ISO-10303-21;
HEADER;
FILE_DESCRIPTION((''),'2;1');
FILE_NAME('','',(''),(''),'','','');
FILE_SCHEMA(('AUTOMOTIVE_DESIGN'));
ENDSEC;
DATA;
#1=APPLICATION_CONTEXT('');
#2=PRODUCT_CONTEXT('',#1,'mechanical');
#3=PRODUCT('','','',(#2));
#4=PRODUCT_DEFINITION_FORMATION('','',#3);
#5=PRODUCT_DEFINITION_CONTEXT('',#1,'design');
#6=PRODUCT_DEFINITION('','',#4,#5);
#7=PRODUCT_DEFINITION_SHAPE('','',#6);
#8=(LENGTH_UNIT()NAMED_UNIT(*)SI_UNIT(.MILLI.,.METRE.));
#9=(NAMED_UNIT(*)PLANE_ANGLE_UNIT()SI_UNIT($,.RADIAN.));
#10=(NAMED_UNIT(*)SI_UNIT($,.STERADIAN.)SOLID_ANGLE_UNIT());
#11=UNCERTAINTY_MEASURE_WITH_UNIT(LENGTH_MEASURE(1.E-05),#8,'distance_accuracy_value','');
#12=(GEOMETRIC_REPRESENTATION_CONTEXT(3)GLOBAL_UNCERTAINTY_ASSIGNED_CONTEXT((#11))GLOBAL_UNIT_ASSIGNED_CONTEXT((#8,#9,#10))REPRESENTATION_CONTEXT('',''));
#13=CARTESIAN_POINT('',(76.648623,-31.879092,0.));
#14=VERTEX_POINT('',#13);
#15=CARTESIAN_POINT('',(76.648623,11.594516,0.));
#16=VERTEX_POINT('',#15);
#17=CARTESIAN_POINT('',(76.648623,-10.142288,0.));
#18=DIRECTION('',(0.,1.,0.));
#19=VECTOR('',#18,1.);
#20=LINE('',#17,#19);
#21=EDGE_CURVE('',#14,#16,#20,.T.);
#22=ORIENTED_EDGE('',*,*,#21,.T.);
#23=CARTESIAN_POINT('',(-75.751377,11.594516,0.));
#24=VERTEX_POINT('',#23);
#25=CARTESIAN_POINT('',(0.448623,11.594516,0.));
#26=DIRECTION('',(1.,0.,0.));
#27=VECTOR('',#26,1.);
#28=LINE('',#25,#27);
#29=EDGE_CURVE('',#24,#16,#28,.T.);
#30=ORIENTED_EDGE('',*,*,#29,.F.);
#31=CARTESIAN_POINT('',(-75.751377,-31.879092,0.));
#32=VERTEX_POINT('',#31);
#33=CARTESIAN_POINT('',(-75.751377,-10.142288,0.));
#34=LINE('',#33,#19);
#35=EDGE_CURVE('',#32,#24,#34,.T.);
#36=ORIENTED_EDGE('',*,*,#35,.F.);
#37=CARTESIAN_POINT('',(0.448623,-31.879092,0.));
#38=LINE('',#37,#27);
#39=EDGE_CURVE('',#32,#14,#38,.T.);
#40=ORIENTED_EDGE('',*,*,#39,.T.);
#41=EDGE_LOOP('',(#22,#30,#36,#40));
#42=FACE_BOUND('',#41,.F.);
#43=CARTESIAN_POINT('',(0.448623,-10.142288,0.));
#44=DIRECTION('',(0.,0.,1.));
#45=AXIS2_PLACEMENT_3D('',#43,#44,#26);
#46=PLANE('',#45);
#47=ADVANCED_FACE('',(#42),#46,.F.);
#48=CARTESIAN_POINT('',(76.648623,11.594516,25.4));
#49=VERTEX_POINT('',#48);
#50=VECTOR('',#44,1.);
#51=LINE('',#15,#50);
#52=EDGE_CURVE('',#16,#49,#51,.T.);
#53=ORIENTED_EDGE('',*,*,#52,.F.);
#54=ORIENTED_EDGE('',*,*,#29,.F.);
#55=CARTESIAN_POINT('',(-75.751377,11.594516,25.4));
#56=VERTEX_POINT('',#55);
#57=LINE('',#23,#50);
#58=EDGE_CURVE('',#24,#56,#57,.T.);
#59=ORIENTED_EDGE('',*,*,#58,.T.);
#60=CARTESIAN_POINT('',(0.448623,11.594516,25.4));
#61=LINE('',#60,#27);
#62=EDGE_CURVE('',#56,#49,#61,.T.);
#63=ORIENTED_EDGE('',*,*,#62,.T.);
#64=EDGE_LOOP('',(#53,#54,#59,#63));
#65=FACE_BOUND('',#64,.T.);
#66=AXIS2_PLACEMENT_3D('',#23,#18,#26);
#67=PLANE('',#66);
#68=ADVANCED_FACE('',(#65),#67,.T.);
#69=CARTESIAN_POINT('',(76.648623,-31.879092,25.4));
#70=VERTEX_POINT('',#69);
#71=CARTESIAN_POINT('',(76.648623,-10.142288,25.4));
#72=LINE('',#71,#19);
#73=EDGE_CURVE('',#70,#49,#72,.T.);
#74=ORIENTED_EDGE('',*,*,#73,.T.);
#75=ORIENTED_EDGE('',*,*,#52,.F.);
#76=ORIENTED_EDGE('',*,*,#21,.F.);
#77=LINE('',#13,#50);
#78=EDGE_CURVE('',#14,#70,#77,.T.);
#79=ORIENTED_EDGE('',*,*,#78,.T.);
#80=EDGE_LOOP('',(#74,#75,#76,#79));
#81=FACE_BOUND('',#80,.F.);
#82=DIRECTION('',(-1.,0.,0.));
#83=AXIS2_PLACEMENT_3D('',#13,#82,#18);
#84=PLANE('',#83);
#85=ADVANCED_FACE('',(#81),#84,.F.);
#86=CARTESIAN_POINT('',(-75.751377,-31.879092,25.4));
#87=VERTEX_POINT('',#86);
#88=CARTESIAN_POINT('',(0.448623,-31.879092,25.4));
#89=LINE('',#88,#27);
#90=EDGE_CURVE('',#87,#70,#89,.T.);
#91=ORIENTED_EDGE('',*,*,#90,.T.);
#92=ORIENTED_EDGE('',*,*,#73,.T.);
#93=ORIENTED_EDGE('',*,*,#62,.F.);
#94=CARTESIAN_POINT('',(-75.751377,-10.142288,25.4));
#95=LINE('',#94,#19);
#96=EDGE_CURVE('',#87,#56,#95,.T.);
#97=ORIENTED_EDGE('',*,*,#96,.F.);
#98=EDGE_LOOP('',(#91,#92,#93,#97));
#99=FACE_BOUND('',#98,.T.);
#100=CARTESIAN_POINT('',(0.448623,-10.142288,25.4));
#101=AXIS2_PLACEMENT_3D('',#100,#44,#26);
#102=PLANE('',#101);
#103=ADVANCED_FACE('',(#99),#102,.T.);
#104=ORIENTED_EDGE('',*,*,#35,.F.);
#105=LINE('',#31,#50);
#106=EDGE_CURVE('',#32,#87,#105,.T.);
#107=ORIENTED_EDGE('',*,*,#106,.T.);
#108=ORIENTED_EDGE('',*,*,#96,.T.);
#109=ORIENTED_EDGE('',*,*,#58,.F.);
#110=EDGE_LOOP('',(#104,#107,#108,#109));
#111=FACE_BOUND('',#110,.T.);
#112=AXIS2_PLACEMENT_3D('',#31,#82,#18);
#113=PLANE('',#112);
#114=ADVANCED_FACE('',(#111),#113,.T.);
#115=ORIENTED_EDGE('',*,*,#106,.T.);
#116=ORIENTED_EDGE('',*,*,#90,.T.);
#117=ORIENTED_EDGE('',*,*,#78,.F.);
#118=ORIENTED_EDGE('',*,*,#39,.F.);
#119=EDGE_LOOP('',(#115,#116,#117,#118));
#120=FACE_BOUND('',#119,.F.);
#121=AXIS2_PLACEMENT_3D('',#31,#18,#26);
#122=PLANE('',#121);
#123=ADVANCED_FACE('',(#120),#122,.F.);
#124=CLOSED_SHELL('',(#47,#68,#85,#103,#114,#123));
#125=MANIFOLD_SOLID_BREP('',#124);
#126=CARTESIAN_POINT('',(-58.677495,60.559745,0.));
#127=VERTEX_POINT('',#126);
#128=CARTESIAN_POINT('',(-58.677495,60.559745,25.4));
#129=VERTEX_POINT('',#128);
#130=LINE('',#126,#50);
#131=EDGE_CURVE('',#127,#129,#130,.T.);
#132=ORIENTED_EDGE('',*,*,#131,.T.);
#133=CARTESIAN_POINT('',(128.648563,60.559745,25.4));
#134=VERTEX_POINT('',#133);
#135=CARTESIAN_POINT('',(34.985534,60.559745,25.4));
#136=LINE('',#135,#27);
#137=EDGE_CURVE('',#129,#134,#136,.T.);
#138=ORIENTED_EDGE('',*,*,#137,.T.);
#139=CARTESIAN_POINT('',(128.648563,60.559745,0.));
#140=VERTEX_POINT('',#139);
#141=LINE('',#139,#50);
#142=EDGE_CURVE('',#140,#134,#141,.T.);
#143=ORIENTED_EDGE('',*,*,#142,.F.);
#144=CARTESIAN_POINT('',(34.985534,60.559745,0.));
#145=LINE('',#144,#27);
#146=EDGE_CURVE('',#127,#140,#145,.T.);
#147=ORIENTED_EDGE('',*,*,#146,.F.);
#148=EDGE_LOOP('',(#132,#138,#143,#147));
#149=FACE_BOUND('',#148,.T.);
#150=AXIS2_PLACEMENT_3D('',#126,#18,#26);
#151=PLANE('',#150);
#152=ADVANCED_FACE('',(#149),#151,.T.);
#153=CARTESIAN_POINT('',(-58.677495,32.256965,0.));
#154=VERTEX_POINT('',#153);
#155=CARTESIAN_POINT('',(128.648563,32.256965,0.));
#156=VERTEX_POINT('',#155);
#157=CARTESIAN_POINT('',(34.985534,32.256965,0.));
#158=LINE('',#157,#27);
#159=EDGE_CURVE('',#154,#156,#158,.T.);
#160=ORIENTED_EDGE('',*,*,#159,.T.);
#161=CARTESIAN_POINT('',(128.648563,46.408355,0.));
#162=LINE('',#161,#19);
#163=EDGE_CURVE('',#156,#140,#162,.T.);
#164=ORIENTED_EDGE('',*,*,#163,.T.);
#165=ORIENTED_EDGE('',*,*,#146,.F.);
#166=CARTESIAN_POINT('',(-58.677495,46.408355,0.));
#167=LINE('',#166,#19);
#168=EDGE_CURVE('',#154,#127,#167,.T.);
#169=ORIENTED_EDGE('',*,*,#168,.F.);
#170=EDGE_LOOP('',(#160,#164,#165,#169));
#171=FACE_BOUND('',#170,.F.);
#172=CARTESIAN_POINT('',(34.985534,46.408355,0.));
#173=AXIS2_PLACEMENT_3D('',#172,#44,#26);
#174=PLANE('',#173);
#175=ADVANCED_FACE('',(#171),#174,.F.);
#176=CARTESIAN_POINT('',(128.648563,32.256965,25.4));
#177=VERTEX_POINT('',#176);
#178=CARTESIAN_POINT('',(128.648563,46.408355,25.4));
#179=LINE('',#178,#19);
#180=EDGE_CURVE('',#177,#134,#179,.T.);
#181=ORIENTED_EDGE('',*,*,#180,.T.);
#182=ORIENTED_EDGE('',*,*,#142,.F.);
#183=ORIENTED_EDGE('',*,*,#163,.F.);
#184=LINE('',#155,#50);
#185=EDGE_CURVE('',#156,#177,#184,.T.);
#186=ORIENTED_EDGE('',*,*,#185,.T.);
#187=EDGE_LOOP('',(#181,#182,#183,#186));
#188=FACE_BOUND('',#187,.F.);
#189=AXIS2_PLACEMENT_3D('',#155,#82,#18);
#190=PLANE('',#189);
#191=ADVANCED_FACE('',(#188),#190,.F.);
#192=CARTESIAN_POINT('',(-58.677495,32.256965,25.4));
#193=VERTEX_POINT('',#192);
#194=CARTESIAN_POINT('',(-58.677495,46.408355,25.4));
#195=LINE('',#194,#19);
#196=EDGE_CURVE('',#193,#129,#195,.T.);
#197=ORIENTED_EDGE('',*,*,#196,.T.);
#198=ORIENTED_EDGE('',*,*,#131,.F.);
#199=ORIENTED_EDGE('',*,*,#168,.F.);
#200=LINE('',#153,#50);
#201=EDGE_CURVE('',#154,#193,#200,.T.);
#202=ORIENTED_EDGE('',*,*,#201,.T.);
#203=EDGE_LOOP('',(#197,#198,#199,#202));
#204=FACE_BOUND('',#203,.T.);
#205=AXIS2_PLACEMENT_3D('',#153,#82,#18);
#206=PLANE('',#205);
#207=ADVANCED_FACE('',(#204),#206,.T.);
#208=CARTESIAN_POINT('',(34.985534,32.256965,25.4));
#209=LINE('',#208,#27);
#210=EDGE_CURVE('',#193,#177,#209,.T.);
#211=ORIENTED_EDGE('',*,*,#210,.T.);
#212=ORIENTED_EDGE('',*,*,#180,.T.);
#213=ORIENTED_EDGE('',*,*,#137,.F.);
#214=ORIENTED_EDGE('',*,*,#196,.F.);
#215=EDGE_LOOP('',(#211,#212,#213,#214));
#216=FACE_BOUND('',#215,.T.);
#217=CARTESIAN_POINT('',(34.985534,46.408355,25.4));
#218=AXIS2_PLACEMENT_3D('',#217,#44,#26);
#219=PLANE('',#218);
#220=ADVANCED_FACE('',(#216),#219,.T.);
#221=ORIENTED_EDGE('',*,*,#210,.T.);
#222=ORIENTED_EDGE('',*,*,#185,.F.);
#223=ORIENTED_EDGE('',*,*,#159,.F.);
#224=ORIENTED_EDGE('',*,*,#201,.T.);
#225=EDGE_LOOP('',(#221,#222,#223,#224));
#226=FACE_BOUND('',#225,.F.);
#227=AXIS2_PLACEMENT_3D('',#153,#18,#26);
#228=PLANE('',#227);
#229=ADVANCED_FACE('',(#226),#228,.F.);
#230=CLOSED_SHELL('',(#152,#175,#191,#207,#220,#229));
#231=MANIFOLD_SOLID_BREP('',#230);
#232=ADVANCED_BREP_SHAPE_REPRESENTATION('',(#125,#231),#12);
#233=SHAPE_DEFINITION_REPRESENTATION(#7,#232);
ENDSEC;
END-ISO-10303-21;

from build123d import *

# Parameters (mm, degrees)
F0_W     = 187.326059
F0_H     = 28.302781
F0_W_2   = 152.4
F0_H_2   = 43.473609
F1_DEPTH = 25.4


with BuildPart() as f1:
    # F0 (on Top) → F1 (new body)
    with BuildSketch(Plane.XY):
        with Locations((34.985534, 46.408355)):
            Rectangle(F0_W, F0_H)
        with Locations((0.448623, -10.142288)):
            Rectangle(F0_W_2, F0_H_2)
    extrude(amount=F1_DEPTH)


solid = f1.part
